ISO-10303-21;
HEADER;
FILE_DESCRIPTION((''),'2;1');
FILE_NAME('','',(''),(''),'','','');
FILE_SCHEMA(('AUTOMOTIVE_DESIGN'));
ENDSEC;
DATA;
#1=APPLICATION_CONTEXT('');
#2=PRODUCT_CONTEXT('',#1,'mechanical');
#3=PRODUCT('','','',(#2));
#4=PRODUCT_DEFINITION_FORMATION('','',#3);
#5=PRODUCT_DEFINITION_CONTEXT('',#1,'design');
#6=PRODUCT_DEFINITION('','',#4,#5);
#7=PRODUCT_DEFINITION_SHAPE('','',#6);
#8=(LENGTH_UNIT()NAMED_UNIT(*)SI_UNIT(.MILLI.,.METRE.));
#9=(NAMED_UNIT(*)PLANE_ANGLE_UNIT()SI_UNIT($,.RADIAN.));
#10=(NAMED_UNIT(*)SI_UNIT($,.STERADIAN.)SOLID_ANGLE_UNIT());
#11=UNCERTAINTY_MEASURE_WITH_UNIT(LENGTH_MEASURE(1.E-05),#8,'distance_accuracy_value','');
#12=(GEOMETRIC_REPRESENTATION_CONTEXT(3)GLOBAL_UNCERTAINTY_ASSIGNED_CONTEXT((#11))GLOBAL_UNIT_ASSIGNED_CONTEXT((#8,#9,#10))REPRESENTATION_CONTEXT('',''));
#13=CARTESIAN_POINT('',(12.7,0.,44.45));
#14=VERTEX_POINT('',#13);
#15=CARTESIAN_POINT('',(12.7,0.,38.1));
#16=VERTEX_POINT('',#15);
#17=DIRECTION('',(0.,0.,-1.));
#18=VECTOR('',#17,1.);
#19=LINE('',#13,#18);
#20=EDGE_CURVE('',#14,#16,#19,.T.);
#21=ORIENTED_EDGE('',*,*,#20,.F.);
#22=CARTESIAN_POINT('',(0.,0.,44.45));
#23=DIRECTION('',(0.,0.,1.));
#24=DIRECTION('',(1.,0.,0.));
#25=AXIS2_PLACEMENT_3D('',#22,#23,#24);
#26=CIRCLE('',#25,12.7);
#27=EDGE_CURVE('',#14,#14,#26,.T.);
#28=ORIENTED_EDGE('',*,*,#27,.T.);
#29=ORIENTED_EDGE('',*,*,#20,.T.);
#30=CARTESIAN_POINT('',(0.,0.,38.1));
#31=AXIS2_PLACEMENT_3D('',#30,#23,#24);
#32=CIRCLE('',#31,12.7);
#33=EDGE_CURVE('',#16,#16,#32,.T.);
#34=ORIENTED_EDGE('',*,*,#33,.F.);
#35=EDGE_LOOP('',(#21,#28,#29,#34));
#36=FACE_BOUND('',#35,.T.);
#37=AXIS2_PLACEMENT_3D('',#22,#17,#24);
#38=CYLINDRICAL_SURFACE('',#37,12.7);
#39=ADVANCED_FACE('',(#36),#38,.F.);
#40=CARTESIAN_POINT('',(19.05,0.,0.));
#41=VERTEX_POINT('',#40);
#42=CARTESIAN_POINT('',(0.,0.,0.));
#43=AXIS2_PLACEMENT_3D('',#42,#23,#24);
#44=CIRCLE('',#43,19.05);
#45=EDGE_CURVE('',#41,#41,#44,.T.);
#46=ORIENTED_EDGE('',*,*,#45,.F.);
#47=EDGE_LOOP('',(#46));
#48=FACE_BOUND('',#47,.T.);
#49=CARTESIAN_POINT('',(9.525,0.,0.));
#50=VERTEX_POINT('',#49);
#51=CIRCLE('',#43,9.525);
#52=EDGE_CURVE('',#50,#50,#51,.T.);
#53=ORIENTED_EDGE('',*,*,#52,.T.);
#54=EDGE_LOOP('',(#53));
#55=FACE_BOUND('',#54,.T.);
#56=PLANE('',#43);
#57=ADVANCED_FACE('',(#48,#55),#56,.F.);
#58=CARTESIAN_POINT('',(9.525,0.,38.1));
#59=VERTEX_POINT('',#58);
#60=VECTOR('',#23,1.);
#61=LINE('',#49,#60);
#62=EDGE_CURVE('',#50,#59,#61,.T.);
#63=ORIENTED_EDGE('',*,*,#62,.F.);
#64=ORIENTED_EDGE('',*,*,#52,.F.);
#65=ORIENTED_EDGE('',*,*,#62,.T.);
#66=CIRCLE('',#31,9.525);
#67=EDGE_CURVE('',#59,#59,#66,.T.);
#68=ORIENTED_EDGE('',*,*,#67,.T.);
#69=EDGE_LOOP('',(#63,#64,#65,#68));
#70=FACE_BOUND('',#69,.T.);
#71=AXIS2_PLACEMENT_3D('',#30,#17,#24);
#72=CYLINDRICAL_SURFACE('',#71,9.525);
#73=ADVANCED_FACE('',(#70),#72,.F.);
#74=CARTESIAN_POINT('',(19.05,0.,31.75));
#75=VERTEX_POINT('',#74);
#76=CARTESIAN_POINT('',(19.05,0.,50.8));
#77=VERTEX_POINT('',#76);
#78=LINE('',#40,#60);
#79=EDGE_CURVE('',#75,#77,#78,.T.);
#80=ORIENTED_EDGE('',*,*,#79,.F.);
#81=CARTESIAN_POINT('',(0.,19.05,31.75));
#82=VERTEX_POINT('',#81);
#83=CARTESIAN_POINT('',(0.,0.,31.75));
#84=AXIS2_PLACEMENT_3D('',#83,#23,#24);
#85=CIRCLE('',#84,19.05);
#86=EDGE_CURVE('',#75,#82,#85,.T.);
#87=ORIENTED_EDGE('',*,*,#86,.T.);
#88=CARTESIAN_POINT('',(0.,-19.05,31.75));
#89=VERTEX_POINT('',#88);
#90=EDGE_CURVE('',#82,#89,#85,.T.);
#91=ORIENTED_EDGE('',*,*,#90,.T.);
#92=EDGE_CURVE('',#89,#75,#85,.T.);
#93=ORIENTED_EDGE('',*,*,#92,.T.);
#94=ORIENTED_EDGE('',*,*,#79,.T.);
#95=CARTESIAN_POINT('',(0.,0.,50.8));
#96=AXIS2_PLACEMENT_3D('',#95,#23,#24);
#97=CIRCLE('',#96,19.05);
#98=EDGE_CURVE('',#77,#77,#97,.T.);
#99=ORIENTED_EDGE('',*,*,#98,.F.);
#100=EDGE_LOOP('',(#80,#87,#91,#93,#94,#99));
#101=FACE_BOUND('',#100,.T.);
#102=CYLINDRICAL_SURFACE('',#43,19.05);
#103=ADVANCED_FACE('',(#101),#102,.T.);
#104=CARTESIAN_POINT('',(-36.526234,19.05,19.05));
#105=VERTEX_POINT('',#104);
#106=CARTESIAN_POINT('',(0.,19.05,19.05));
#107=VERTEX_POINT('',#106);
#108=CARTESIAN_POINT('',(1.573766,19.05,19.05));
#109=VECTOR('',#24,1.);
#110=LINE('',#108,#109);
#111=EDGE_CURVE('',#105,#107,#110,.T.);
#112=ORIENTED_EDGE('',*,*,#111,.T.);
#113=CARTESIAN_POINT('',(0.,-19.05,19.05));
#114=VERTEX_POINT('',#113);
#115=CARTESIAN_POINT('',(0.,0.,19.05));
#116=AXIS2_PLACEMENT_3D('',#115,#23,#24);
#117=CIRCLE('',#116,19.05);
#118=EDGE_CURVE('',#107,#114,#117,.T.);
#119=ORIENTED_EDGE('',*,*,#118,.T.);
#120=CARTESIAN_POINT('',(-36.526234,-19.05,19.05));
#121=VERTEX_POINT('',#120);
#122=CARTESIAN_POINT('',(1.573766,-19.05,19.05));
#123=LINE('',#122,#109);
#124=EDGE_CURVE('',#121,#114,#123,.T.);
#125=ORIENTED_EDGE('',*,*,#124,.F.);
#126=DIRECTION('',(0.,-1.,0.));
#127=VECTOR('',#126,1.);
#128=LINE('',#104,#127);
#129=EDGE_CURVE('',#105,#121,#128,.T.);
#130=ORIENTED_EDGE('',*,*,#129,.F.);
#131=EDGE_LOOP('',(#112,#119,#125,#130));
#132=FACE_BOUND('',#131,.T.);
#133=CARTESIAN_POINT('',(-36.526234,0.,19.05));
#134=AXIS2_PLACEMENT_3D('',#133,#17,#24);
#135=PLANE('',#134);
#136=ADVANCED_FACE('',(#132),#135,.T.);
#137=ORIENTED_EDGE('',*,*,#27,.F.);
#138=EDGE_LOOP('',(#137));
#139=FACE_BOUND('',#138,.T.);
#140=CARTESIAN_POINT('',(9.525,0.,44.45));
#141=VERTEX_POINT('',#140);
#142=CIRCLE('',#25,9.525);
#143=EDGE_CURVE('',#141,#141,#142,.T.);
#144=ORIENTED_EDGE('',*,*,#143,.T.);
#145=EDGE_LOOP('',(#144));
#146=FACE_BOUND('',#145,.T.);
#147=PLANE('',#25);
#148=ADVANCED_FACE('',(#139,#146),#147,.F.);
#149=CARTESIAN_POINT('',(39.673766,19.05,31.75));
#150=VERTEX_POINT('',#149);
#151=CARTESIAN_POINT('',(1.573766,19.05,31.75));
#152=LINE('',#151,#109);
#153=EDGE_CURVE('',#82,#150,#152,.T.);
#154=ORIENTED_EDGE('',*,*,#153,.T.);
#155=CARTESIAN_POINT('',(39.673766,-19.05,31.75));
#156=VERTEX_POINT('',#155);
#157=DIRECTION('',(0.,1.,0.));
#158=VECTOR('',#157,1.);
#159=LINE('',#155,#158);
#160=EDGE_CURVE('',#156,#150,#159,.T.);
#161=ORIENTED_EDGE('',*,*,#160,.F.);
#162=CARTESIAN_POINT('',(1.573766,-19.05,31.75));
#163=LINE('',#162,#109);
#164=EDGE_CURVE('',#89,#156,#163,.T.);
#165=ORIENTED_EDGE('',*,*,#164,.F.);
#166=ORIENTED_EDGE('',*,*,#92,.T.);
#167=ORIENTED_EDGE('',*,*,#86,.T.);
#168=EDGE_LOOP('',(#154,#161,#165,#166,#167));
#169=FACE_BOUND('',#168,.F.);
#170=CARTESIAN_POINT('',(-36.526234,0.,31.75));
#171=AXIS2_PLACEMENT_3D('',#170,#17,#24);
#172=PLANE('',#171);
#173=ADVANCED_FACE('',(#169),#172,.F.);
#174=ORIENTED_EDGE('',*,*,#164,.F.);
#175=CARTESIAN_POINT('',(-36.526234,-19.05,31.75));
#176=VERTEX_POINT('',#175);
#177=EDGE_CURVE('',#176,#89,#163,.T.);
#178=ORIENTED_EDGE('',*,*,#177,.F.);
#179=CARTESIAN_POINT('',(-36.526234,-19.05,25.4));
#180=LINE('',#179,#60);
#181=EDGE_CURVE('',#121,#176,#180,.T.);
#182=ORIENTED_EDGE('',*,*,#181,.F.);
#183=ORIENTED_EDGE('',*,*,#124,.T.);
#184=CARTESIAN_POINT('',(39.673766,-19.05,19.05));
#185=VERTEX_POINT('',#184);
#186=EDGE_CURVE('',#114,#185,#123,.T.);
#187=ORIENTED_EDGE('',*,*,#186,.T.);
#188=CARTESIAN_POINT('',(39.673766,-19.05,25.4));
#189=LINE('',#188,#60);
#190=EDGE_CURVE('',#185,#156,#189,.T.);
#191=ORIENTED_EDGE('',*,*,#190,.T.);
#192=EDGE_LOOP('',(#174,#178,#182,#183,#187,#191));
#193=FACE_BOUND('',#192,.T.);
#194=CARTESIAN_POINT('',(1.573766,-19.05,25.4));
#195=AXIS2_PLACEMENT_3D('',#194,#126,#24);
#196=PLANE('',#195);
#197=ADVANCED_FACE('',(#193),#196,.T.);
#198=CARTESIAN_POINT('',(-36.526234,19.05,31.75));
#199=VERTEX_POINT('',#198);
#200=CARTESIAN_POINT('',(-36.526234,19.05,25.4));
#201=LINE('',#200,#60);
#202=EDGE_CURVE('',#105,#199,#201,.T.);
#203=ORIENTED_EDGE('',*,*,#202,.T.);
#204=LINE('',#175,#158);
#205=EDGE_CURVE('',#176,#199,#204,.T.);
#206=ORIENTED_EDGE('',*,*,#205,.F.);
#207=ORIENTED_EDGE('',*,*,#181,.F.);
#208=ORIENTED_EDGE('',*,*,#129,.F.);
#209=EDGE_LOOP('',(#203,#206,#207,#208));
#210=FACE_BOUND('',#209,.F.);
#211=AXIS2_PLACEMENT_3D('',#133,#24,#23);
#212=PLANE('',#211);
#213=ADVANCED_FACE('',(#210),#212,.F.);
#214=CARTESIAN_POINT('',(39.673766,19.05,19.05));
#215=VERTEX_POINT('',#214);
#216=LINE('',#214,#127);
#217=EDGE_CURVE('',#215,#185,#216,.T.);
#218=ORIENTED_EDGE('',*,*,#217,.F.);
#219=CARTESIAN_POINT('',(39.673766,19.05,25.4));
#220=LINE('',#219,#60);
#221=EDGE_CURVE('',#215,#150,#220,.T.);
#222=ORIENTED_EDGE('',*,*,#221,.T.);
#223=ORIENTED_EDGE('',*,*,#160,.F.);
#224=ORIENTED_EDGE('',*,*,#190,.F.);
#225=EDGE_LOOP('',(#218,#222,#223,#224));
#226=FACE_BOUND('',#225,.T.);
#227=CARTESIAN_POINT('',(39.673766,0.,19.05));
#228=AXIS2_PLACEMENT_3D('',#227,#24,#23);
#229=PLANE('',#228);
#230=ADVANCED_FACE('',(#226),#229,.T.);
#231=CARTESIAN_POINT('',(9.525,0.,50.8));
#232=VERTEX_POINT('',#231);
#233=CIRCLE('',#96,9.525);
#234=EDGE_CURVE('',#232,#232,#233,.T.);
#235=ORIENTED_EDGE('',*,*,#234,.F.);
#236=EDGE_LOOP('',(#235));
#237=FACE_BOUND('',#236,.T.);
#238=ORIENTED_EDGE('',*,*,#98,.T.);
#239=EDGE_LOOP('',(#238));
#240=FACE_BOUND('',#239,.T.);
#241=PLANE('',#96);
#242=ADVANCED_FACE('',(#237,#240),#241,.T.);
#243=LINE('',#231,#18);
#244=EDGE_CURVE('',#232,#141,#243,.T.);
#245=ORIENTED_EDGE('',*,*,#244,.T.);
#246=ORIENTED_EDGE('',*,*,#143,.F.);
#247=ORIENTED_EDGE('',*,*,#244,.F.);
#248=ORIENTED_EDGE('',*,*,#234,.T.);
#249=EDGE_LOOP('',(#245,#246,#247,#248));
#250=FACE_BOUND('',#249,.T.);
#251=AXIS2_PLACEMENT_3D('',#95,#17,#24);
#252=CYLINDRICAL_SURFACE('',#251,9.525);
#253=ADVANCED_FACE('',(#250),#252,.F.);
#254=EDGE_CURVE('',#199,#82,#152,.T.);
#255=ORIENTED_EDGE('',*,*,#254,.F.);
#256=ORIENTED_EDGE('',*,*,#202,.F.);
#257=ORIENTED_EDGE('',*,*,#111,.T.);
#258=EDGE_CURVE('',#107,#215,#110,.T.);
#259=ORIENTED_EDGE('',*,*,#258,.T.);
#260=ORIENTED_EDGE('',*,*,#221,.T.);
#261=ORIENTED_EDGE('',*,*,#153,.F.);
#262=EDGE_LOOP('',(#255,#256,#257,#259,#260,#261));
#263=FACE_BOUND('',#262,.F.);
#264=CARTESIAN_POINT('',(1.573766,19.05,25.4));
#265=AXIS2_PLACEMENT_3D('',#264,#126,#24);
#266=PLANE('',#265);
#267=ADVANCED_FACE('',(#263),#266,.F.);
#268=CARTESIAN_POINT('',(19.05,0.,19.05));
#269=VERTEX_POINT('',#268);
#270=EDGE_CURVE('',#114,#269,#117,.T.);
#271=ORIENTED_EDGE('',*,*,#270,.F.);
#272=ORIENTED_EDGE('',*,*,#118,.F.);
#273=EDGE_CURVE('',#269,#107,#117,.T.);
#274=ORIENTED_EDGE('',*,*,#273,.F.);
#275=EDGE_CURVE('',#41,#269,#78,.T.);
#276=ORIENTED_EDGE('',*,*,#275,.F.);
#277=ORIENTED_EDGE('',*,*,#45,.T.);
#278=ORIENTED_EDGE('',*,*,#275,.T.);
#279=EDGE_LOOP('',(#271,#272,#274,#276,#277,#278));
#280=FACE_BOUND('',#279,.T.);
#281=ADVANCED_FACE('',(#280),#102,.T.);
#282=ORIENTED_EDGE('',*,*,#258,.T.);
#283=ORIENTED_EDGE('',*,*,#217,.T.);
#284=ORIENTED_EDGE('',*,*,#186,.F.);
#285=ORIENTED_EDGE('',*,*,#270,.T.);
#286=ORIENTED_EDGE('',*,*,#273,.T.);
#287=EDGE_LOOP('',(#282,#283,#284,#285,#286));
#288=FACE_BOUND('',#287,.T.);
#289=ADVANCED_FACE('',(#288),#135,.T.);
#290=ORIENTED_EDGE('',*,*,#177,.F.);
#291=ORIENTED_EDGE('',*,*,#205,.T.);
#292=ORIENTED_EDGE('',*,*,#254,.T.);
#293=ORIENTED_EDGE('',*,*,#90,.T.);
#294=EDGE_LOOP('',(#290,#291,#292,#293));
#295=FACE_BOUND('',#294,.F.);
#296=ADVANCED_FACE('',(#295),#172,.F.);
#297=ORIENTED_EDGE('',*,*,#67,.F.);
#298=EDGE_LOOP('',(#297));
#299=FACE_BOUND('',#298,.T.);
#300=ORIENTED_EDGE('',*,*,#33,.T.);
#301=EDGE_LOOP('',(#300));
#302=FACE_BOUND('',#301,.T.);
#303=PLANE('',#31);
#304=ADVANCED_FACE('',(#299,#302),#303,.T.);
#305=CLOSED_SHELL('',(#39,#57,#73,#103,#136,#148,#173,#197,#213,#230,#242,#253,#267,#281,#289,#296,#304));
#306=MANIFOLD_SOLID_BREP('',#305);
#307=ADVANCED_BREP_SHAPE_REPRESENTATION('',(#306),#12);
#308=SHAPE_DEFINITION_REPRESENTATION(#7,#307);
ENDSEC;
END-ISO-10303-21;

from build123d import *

# Parameters (mm, degrees)
F2_W     = 76.2
F2_H     = 12.7
F3_DEPTH = 19.05
F4_R     = 9.525
F5_DEPTH = 31.751


with BuildPart() as f1:
    # F0 (on Front) → F1 (revolve)
    with BuildSketch(Plane.XZ):
        Polygon((9.525, 38.1), (9.525, 0), (19.05, 0), (19.05, 50.8), (9.525, 50.8), (9.525, 44.45), (12.7, 44.45), (12.7, 38.1), align=None)
    revolve(axis=Axis((0, 0, 25.4), (0, 0, 1)))

    # F2 (on Front) → F3 (join, symmetric)
    with BuildSketch(Plane.XZ):
        with Locations((1.573766, 25.4)):
            Rectangle(F2_W, F2_H)
    extrude(amount=F3_DEPTH, both=True)

    # F4 (on face) → F5 (cut, through all)
    with BuildSketch(Plane.XY.offset(31.75)):
        Circle(F4_R)
    extrude(amount=-F5_DEPTH, mode=Mode.SUBTRACT)


solid = f1.part
